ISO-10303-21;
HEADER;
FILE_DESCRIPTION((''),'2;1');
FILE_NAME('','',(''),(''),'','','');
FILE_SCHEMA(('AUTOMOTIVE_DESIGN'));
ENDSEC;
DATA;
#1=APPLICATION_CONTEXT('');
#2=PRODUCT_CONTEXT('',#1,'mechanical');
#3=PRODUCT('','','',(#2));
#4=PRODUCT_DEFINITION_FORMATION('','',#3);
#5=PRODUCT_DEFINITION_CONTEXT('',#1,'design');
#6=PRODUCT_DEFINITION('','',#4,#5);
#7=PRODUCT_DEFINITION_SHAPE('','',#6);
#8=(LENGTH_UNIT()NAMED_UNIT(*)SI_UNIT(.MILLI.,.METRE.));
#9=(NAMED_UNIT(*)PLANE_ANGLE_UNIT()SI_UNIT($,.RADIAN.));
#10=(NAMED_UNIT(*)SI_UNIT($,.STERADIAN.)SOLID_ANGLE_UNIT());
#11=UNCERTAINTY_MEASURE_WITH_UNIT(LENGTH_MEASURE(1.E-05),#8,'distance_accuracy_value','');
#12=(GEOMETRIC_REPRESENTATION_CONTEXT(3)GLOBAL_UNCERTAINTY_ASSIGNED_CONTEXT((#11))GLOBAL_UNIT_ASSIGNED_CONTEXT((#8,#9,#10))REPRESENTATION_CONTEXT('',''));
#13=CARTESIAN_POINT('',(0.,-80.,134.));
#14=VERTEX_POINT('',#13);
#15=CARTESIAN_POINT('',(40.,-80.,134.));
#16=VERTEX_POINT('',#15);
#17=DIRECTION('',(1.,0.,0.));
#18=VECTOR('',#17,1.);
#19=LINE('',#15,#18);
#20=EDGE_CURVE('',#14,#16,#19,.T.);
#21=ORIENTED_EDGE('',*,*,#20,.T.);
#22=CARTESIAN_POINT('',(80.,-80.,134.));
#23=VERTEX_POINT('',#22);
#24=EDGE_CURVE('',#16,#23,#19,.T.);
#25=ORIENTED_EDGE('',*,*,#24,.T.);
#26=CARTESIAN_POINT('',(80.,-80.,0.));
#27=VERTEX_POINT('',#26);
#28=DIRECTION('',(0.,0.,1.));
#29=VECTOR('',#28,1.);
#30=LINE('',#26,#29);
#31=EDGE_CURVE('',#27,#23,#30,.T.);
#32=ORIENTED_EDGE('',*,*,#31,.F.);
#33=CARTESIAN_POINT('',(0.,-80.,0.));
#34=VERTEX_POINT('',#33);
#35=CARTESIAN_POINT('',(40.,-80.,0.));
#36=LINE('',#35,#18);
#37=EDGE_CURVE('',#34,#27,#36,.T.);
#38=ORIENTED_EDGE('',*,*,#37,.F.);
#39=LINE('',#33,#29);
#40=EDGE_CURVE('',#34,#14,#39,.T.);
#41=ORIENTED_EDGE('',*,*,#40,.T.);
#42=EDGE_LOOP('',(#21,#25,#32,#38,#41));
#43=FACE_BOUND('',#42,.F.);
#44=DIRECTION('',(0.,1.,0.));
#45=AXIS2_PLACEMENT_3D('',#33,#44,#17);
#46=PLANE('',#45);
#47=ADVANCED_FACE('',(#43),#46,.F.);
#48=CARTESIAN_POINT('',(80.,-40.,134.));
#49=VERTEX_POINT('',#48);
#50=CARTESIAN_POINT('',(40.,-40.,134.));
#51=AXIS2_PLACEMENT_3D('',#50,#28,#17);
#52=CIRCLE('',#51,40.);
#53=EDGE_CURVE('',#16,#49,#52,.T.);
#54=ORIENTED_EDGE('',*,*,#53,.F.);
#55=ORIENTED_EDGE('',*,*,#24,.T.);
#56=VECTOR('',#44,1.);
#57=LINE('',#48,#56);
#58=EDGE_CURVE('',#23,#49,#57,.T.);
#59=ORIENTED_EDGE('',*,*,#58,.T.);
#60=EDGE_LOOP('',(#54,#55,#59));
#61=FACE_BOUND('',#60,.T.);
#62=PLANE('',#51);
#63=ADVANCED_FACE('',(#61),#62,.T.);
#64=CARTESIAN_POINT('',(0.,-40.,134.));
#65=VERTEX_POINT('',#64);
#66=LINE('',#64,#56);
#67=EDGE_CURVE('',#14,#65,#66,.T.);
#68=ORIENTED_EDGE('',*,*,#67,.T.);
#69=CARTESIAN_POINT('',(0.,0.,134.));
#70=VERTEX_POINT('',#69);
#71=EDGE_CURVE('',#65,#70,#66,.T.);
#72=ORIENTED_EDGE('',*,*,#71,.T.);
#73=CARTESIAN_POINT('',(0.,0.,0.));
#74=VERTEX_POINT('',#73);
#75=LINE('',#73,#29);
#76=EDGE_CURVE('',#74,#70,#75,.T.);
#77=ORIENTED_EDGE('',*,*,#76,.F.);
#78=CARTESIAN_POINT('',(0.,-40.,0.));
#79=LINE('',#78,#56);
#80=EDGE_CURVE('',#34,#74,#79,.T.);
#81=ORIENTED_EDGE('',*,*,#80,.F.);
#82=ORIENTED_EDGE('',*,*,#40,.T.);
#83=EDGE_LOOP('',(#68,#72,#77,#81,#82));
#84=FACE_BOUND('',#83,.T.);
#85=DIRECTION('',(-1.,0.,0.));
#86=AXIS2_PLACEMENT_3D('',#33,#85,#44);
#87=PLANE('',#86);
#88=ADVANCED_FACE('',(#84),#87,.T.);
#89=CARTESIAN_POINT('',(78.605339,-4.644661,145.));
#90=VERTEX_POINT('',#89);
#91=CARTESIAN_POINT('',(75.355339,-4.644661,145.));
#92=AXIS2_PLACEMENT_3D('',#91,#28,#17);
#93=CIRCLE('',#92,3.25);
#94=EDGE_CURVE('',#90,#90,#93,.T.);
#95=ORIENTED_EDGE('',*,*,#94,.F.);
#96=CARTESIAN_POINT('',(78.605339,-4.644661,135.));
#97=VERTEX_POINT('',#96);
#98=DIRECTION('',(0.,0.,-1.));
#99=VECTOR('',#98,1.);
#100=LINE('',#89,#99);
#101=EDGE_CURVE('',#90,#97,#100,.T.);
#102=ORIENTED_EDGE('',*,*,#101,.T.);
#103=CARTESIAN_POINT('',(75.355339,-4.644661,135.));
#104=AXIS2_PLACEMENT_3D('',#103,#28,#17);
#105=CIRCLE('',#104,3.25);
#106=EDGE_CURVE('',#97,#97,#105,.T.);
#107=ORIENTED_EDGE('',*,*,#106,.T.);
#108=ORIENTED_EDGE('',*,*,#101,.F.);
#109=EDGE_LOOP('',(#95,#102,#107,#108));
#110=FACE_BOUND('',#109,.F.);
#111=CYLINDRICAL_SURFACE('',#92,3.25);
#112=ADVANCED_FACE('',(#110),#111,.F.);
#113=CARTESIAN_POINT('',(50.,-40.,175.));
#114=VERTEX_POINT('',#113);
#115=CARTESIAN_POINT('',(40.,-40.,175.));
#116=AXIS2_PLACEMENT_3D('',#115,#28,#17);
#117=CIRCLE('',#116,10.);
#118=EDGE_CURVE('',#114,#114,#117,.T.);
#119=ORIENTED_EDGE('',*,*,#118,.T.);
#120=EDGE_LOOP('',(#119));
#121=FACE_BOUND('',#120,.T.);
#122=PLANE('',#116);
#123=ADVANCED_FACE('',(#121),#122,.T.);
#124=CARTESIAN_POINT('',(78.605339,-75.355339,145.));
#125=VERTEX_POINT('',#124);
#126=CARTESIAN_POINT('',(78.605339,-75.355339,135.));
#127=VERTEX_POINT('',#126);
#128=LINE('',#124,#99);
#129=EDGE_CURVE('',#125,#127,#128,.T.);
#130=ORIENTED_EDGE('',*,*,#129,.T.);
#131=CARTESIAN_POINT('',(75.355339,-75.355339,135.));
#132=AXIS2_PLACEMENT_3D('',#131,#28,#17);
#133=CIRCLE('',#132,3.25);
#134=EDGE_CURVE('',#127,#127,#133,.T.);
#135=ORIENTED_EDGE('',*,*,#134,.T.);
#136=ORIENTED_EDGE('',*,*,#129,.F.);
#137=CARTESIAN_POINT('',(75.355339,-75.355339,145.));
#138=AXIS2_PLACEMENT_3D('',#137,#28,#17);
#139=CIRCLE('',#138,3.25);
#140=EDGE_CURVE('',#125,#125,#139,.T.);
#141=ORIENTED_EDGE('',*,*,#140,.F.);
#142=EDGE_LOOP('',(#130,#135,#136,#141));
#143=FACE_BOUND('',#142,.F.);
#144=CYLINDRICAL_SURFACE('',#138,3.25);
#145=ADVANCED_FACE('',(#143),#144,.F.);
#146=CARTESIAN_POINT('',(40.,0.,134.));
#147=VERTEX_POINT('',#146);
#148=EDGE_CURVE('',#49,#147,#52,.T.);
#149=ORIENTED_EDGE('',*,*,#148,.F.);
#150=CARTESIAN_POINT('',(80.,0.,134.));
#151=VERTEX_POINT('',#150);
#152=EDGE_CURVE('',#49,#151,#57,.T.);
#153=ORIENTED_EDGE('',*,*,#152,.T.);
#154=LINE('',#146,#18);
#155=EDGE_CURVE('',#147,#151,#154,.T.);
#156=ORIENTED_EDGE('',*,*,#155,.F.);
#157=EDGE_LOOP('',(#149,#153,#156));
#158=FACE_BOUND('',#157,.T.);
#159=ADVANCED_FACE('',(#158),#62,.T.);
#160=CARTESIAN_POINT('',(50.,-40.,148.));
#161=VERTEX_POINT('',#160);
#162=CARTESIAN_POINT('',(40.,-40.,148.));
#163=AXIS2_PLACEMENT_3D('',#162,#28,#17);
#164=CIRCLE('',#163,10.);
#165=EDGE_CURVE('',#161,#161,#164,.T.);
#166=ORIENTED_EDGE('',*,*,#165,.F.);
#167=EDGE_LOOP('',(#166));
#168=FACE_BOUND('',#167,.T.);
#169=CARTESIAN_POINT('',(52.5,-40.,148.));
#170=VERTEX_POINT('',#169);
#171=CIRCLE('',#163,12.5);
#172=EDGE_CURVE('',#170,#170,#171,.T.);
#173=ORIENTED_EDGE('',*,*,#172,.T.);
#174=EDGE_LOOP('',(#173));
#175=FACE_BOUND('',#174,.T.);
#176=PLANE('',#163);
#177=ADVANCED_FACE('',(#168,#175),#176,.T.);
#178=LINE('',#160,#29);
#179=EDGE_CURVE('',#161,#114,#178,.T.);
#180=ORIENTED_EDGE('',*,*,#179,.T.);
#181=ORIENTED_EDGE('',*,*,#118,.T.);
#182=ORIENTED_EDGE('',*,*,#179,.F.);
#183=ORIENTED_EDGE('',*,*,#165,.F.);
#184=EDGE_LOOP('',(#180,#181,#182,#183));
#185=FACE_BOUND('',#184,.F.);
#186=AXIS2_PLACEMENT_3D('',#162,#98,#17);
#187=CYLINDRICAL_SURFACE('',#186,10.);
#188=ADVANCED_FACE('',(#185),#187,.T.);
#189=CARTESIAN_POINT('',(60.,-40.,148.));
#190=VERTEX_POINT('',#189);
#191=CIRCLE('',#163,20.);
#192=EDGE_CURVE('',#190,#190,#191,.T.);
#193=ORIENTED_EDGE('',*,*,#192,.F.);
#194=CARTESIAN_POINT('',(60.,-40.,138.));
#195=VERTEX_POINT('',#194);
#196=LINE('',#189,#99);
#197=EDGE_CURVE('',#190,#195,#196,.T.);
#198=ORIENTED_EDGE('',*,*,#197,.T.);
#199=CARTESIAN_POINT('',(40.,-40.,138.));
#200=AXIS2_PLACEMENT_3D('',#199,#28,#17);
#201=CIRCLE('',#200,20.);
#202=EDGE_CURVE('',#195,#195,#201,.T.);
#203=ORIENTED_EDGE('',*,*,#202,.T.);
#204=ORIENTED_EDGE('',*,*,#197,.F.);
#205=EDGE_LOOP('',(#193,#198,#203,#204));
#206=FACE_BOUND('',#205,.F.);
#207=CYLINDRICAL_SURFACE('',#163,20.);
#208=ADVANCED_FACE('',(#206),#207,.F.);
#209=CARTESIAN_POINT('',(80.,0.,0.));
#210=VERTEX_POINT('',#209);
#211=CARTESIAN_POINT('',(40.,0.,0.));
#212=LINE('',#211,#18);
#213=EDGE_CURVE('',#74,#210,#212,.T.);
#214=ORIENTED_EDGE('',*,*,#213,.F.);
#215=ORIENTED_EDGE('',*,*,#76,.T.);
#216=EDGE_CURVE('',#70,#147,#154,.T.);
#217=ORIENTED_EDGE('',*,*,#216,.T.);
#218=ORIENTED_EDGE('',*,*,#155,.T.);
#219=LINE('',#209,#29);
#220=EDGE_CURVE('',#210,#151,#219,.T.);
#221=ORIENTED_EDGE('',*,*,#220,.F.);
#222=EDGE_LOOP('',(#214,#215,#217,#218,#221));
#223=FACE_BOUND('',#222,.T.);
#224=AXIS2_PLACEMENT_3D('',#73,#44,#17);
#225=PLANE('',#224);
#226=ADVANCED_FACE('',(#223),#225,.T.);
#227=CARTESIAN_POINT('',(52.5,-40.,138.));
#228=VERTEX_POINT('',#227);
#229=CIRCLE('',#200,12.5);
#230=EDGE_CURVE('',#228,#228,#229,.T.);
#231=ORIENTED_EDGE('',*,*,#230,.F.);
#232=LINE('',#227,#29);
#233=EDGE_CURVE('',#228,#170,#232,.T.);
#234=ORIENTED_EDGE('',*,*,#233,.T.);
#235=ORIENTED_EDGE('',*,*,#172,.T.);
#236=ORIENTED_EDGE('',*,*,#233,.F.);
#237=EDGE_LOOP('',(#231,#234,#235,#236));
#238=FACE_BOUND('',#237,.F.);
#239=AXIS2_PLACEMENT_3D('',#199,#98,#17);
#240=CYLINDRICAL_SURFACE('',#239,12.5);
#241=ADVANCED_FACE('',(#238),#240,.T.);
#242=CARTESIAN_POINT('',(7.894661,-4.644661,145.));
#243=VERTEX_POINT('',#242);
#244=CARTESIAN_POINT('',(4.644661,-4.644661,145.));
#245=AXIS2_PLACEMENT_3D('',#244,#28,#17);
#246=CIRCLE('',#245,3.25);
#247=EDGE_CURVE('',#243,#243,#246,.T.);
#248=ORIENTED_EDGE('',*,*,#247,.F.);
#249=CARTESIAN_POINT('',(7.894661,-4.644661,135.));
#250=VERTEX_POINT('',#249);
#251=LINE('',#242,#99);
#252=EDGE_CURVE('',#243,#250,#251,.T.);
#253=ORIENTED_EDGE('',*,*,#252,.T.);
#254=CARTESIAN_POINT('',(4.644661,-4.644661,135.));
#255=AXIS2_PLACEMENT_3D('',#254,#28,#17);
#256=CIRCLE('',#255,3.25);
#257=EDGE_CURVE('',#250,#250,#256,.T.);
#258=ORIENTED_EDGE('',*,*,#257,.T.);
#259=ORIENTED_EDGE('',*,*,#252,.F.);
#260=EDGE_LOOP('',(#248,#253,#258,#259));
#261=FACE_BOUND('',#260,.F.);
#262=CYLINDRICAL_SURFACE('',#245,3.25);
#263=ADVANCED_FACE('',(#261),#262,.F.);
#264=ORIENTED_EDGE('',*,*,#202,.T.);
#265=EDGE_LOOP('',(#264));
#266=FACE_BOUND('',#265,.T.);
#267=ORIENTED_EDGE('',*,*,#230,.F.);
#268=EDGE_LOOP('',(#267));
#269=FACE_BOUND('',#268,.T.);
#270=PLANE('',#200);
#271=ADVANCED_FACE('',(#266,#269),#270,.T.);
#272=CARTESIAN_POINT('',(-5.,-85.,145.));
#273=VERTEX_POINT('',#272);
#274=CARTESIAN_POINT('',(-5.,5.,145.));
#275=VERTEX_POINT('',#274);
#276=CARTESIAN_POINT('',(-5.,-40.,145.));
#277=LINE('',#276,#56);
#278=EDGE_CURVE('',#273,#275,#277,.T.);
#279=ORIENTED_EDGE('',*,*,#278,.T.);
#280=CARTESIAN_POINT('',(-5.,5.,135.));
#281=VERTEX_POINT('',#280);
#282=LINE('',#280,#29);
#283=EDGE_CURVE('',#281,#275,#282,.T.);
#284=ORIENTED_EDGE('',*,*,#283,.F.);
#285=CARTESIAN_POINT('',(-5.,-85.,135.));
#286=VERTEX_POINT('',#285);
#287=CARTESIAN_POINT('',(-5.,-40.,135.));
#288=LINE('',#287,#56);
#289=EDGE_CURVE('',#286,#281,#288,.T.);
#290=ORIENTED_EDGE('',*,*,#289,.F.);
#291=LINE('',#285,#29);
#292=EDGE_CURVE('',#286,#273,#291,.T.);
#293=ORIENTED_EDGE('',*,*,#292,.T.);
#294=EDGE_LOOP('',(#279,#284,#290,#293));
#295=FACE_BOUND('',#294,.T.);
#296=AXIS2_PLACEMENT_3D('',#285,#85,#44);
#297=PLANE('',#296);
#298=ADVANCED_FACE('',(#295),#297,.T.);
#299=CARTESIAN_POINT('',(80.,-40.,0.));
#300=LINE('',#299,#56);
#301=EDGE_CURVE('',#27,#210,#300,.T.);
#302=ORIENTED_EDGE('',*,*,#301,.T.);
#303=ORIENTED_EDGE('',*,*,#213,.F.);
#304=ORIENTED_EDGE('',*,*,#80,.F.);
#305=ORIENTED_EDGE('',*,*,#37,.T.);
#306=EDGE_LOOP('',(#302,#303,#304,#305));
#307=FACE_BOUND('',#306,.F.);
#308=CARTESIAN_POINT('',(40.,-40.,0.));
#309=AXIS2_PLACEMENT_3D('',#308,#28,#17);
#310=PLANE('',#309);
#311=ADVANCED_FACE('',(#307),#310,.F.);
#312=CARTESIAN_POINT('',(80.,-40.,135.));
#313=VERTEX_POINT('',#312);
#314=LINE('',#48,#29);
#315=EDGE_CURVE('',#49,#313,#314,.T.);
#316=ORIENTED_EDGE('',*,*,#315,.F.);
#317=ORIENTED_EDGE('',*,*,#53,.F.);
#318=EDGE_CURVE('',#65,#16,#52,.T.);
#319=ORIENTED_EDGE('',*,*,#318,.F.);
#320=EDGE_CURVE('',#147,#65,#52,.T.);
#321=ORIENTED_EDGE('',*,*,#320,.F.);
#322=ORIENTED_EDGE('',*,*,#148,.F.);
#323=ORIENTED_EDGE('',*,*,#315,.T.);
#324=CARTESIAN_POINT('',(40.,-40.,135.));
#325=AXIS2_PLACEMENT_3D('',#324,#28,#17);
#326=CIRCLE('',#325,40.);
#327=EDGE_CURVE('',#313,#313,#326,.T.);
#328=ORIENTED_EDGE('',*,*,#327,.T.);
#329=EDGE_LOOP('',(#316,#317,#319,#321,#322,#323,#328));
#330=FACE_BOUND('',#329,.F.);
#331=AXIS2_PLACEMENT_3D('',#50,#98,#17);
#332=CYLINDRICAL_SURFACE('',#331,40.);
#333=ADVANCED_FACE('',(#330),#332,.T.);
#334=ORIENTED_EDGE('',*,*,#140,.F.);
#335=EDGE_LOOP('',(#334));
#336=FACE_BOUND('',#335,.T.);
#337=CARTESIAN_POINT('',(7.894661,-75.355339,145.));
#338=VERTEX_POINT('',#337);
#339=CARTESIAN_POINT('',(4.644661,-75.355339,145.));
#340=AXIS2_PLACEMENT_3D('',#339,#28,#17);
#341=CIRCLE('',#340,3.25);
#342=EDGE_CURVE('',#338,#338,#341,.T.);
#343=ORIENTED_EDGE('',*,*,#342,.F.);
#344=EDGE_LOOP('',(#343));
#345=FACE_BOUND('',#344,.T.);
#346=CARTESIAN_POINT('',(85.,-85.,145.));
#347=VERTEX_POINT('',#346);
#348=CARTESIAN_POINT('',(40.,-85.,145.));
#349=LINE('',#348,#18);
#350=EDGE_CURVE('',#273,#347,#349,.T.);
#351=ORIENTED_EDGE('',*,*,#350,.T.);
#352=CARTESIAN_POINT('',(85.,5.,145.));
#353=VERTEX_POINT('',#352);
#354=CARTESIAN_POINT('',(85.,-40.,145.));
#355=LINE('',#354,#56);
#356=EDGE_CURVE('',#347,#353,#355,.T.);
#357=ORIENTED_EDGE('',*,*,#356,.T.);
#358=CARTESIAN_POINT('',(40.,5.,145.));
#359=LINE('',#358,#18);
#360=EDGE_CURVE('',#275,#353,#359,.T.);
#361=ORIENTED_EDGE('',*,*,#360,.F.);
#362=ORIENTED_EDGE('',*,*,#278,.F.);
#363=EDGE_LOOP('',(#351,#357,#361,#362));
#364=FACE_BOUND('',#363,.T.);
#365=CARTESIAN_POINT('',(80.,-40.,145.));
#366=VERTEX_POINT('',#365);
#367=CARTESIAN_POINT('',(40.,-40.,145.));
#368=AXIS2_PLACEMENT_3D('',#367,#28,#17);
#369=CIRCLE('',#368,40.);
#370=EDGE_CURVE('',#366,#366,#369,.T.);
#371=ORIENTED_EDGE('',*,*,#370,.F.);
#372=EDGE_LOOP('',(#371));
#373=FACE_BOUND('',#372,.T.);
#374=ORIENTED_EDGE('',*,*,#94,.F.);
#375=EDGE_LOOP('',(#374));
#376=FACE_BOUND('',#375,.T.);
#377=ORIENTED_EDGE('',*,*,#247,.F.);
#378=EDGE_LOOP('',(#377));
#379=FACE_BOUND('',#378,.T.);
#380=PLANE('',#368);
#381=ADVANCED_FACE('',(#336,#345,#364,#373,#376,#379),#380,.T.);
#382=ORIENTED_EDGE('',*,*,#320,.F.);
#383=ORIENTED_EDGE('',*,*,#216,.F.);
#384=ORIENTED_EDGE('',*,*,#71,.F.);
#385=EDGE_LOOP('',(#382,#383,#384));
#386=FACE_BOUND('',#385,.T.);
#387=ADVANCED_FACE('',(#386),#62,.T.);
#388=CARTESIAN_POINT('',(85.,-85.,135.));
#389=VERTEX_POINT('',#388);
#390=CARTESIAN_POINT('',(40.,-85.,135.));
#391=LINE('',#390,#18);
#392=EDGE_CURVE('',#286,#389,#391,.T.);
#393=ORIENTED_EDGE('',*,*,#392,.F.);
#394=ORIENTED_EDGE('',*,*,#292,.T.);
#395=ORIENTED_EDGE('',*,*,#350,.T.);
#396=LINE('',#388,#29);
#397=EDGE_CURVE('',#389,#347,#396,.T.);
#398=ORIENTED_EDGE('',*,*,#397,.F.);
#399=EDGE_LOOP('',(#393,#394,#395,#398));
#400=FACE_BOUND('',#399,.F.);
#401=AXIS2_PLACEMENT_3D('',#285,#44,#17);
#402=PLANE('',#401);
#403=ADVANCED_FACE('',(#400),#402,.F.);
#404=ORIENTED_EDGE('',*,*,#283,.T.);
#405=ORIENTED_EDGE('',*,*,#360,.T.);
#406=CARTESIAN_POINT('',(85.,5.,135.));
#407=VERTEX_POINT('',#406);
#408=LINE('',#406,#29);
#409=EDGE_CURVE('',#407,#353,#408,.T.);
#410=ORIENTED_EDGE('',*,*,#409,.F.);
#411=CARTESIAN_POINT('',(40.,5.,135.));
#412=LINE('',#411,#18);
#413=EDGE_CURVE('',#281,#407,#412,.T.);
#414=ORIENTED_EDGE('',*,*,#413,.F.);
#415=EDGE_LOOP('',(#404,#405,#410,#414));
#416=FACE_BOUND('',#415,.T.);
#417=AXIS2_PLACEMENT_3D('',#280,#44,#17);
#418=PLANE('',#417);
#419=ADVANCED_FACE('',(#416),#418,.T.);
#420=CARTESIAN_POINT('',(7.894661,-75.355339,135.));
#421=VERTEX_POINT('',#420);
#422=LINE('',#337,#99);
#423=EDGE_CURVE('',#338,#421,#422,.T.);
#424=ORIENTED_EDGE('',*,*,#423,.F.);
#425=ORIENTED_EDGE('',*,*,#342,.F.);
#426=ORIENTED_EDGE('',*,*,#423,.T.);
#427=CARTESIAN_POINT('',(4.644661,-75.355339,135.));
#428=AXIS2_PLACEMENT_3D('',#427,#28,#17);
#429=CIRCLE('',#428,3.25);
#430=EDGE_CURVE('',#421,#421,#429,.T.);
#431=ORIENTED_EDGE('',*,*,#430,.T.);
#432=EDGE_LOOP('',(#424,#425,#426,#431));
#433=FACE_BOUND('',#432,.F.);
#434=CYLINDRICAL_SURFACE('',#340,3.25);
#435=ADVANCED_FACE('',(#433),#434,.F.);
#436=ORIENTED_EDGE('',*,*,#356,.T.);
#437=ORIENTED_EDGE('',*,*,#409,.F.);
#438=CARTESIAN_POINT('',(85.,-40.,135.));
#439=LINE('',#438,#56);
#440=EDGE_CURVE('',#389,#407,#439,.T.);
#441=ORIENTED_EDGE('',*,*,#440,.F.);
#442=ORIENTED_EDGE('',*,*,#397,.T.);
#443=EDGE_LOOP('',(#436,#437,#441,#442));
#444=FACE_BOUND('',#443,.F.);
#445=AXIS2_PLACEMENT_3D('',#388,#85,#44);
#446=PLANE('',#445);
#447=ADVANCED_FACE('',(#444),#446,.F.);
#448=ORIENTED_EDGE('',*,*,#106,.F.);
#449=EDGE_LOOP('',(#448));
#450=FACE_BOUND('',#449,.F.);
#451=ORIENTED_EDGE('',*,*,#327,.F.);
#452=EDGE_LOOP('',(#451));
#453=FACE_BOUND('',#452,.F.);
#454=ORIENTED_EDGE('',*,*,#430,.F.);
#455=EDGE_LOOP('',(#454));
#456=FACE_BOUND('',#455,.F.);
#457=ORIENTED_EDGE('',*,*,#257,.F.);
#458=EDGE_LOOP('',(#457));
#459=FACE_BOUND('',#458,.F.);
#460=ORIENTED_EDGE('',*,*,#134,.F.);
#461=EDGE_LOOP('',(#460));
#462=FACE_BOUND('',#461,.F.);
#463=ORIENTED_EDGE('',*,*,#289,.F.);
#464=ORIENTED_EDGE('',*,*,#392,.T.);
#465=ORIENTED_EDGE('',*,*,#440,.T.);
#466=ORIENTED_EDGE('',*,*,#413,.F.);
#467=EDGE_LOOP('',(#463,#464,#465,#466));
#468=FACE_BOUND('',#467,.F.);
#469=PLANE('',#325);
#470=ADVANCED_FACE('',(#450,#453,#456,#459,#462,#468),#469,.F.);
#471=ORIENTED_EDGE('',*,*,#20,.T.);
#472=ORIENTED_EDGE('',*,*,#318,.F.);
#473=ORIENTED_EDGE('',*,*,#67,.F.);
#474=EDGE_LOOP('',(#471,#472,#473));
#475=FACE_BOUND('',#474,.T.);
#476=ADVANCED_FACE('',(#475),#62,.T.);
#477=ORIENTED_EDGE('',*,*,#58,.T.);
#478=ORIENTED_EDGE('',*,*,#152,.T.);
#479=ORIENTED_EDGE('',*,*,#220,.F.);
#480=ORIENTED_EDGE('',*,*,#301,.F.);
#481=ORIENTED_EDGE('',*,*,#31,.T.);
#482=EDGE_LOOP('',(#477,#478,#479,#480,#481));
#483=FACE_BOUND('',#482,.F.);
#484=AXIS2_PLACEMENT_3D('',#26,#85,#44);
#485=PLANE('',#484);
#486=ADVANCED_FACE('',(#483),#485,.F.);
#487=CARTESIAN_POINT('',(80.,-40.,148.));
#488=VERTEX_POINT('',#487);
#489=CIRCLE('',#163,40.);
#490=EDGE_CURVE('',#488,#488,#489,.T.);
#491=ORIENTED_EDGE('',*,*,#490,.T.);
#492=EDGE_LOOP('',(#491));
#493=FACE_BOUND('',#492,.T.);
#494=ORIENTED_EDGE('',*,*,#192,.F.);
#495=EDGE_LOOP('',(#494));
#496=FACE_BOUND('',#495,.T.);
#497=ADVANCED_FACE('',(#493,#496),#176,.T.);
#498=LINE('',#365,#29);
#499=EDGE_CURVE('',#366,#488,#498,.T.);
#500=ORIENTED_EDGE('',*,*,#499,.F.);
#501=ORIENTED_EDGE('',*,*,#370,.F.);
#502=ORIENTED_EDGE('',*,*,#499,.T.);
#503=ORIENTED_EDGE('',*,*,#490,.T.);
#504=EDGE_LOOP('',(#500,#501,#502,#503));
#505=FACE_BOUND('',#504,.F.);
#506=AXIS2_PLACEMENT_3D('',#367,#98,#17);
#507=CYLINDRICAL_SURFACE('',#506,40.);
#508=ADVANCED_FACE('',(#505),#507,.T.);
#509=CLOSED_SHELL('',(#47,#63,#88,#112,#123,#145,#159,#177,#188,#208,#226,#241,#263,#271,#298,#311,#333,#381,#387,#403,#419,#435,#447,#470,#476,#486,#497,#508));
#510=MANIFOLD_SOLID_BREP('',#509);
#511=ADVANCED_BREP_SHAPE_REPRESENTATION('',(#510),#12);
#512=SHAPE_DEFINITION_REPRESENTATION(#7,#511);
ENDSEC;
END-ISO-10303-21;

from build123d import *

# Parameters (mm, degrees)
SKETCH_1_W          = 80
SKETCH_1_H          = 80
EXTRUDE_1_DEPTH     = 134
SKETCH_2_R          = 40
EXTRUDE_2_DEPTH     = 1
SKETCH_3_W          = 90
SKETCH_3_H          = 90
EXTRUDE_3_DEPTH     = 10
SKETCH_4_R          = 40
EXTRUDE_4_DEPTH     = 3
SKETCH_5_R          = 20
CUT_EXTRUDE_1_DEPTH = 10
SKETCH_6_R          = 12.5
EXTRUDE_5_DEPTH     = 10
SKETCH_7_R          = 10
EXTRUDE_6_DEPTH     = 27
SKETCH_9_R          = 3.25
CUT_EXTRUDE_2_DEPTH = 10


with BuildPart() as part:
    # 草图1 → 拉伸1 (new body)
    with BuildSketch(Plane.XY):
        with Locations((40, -40)):
            Rectangle(SKETCH_1_W, SKETCH_1_H)
    extrude(amount=EXTRUDE_1_DEPTH)

    # 草图2 → 拉伸2 (add)
    with BuildSketch(Plane.XY.offset(134)):
        with Locations((40, -40)):
            Circle(SKETCH_2_R)
    extrude(amount=EXTRUDE_2_DEPTH)

    # 草图3 → 拉伸3 (add)
    with BuildSketch(Plane.XY.offset(135)):
        with Locations((40, -40)):
            Rectangle(SKETCH_3_W, SKETCH_3_H)
    extrude(amount=EXTRUDE_3_DEPTH)

    # 草图4 → 拉伸4 (add)
    with BuildSketch(Plane.XY.offset(145)):
        with Locations((40, -40)):
            Circle(SKETCH_4_R)
    extrude(amount=EXTRUDE_4_DEPTH)

    # 草图5 → 切除-拉伸1 (cut)
    with BuildSketch(Plane.XY.offset(148)):
        with Locations((40, -40)):
            Circle(SKETCH_5_R)
    extrude(amount=-CUT_EXTRUDE_1_DEPTH, mode=Mode.SUBTRACT)

    # 草图6 → 拉伸5 (add)
    with BuildSketch(Plane.XY.offset(138)):
        with Locations((40, -40)):
            Circle(SKETCH_6_R)
    extrude(amount=EXTRUDE_5_DEPTH)

    # 草图7 → 拉伸6 (add)
    with BuildSketch(Plane.XY.offset(148)):
        with Locations((40, -40)):
            Circle(SKETCH_7_R)
    extrude(amount=EXTRUDE_6_DEPTH)

    # 草图9 → 切除-拉伸2 (cut)
    with BuildSketch(Plane.XY.offset(145)):
        with Locations((75.355339059, -4.644660941)):
            Circle(SKETCH_9_R)
        with Locations((75.355339059, -75.355339059)):
            Circle(SKETCH_9_R)
        with Locations((4.644660941, -75.355339059)):
            Circle(SKETCH_9_R)
        with Locations((4.644660941, -4.644660941)):
            Circle(SKETCH_9_R)
    extrude(amount=-CUT_EXTRUDE_2_DEPTH, mode=Mode.SUBTRACT)


solid = part.part
